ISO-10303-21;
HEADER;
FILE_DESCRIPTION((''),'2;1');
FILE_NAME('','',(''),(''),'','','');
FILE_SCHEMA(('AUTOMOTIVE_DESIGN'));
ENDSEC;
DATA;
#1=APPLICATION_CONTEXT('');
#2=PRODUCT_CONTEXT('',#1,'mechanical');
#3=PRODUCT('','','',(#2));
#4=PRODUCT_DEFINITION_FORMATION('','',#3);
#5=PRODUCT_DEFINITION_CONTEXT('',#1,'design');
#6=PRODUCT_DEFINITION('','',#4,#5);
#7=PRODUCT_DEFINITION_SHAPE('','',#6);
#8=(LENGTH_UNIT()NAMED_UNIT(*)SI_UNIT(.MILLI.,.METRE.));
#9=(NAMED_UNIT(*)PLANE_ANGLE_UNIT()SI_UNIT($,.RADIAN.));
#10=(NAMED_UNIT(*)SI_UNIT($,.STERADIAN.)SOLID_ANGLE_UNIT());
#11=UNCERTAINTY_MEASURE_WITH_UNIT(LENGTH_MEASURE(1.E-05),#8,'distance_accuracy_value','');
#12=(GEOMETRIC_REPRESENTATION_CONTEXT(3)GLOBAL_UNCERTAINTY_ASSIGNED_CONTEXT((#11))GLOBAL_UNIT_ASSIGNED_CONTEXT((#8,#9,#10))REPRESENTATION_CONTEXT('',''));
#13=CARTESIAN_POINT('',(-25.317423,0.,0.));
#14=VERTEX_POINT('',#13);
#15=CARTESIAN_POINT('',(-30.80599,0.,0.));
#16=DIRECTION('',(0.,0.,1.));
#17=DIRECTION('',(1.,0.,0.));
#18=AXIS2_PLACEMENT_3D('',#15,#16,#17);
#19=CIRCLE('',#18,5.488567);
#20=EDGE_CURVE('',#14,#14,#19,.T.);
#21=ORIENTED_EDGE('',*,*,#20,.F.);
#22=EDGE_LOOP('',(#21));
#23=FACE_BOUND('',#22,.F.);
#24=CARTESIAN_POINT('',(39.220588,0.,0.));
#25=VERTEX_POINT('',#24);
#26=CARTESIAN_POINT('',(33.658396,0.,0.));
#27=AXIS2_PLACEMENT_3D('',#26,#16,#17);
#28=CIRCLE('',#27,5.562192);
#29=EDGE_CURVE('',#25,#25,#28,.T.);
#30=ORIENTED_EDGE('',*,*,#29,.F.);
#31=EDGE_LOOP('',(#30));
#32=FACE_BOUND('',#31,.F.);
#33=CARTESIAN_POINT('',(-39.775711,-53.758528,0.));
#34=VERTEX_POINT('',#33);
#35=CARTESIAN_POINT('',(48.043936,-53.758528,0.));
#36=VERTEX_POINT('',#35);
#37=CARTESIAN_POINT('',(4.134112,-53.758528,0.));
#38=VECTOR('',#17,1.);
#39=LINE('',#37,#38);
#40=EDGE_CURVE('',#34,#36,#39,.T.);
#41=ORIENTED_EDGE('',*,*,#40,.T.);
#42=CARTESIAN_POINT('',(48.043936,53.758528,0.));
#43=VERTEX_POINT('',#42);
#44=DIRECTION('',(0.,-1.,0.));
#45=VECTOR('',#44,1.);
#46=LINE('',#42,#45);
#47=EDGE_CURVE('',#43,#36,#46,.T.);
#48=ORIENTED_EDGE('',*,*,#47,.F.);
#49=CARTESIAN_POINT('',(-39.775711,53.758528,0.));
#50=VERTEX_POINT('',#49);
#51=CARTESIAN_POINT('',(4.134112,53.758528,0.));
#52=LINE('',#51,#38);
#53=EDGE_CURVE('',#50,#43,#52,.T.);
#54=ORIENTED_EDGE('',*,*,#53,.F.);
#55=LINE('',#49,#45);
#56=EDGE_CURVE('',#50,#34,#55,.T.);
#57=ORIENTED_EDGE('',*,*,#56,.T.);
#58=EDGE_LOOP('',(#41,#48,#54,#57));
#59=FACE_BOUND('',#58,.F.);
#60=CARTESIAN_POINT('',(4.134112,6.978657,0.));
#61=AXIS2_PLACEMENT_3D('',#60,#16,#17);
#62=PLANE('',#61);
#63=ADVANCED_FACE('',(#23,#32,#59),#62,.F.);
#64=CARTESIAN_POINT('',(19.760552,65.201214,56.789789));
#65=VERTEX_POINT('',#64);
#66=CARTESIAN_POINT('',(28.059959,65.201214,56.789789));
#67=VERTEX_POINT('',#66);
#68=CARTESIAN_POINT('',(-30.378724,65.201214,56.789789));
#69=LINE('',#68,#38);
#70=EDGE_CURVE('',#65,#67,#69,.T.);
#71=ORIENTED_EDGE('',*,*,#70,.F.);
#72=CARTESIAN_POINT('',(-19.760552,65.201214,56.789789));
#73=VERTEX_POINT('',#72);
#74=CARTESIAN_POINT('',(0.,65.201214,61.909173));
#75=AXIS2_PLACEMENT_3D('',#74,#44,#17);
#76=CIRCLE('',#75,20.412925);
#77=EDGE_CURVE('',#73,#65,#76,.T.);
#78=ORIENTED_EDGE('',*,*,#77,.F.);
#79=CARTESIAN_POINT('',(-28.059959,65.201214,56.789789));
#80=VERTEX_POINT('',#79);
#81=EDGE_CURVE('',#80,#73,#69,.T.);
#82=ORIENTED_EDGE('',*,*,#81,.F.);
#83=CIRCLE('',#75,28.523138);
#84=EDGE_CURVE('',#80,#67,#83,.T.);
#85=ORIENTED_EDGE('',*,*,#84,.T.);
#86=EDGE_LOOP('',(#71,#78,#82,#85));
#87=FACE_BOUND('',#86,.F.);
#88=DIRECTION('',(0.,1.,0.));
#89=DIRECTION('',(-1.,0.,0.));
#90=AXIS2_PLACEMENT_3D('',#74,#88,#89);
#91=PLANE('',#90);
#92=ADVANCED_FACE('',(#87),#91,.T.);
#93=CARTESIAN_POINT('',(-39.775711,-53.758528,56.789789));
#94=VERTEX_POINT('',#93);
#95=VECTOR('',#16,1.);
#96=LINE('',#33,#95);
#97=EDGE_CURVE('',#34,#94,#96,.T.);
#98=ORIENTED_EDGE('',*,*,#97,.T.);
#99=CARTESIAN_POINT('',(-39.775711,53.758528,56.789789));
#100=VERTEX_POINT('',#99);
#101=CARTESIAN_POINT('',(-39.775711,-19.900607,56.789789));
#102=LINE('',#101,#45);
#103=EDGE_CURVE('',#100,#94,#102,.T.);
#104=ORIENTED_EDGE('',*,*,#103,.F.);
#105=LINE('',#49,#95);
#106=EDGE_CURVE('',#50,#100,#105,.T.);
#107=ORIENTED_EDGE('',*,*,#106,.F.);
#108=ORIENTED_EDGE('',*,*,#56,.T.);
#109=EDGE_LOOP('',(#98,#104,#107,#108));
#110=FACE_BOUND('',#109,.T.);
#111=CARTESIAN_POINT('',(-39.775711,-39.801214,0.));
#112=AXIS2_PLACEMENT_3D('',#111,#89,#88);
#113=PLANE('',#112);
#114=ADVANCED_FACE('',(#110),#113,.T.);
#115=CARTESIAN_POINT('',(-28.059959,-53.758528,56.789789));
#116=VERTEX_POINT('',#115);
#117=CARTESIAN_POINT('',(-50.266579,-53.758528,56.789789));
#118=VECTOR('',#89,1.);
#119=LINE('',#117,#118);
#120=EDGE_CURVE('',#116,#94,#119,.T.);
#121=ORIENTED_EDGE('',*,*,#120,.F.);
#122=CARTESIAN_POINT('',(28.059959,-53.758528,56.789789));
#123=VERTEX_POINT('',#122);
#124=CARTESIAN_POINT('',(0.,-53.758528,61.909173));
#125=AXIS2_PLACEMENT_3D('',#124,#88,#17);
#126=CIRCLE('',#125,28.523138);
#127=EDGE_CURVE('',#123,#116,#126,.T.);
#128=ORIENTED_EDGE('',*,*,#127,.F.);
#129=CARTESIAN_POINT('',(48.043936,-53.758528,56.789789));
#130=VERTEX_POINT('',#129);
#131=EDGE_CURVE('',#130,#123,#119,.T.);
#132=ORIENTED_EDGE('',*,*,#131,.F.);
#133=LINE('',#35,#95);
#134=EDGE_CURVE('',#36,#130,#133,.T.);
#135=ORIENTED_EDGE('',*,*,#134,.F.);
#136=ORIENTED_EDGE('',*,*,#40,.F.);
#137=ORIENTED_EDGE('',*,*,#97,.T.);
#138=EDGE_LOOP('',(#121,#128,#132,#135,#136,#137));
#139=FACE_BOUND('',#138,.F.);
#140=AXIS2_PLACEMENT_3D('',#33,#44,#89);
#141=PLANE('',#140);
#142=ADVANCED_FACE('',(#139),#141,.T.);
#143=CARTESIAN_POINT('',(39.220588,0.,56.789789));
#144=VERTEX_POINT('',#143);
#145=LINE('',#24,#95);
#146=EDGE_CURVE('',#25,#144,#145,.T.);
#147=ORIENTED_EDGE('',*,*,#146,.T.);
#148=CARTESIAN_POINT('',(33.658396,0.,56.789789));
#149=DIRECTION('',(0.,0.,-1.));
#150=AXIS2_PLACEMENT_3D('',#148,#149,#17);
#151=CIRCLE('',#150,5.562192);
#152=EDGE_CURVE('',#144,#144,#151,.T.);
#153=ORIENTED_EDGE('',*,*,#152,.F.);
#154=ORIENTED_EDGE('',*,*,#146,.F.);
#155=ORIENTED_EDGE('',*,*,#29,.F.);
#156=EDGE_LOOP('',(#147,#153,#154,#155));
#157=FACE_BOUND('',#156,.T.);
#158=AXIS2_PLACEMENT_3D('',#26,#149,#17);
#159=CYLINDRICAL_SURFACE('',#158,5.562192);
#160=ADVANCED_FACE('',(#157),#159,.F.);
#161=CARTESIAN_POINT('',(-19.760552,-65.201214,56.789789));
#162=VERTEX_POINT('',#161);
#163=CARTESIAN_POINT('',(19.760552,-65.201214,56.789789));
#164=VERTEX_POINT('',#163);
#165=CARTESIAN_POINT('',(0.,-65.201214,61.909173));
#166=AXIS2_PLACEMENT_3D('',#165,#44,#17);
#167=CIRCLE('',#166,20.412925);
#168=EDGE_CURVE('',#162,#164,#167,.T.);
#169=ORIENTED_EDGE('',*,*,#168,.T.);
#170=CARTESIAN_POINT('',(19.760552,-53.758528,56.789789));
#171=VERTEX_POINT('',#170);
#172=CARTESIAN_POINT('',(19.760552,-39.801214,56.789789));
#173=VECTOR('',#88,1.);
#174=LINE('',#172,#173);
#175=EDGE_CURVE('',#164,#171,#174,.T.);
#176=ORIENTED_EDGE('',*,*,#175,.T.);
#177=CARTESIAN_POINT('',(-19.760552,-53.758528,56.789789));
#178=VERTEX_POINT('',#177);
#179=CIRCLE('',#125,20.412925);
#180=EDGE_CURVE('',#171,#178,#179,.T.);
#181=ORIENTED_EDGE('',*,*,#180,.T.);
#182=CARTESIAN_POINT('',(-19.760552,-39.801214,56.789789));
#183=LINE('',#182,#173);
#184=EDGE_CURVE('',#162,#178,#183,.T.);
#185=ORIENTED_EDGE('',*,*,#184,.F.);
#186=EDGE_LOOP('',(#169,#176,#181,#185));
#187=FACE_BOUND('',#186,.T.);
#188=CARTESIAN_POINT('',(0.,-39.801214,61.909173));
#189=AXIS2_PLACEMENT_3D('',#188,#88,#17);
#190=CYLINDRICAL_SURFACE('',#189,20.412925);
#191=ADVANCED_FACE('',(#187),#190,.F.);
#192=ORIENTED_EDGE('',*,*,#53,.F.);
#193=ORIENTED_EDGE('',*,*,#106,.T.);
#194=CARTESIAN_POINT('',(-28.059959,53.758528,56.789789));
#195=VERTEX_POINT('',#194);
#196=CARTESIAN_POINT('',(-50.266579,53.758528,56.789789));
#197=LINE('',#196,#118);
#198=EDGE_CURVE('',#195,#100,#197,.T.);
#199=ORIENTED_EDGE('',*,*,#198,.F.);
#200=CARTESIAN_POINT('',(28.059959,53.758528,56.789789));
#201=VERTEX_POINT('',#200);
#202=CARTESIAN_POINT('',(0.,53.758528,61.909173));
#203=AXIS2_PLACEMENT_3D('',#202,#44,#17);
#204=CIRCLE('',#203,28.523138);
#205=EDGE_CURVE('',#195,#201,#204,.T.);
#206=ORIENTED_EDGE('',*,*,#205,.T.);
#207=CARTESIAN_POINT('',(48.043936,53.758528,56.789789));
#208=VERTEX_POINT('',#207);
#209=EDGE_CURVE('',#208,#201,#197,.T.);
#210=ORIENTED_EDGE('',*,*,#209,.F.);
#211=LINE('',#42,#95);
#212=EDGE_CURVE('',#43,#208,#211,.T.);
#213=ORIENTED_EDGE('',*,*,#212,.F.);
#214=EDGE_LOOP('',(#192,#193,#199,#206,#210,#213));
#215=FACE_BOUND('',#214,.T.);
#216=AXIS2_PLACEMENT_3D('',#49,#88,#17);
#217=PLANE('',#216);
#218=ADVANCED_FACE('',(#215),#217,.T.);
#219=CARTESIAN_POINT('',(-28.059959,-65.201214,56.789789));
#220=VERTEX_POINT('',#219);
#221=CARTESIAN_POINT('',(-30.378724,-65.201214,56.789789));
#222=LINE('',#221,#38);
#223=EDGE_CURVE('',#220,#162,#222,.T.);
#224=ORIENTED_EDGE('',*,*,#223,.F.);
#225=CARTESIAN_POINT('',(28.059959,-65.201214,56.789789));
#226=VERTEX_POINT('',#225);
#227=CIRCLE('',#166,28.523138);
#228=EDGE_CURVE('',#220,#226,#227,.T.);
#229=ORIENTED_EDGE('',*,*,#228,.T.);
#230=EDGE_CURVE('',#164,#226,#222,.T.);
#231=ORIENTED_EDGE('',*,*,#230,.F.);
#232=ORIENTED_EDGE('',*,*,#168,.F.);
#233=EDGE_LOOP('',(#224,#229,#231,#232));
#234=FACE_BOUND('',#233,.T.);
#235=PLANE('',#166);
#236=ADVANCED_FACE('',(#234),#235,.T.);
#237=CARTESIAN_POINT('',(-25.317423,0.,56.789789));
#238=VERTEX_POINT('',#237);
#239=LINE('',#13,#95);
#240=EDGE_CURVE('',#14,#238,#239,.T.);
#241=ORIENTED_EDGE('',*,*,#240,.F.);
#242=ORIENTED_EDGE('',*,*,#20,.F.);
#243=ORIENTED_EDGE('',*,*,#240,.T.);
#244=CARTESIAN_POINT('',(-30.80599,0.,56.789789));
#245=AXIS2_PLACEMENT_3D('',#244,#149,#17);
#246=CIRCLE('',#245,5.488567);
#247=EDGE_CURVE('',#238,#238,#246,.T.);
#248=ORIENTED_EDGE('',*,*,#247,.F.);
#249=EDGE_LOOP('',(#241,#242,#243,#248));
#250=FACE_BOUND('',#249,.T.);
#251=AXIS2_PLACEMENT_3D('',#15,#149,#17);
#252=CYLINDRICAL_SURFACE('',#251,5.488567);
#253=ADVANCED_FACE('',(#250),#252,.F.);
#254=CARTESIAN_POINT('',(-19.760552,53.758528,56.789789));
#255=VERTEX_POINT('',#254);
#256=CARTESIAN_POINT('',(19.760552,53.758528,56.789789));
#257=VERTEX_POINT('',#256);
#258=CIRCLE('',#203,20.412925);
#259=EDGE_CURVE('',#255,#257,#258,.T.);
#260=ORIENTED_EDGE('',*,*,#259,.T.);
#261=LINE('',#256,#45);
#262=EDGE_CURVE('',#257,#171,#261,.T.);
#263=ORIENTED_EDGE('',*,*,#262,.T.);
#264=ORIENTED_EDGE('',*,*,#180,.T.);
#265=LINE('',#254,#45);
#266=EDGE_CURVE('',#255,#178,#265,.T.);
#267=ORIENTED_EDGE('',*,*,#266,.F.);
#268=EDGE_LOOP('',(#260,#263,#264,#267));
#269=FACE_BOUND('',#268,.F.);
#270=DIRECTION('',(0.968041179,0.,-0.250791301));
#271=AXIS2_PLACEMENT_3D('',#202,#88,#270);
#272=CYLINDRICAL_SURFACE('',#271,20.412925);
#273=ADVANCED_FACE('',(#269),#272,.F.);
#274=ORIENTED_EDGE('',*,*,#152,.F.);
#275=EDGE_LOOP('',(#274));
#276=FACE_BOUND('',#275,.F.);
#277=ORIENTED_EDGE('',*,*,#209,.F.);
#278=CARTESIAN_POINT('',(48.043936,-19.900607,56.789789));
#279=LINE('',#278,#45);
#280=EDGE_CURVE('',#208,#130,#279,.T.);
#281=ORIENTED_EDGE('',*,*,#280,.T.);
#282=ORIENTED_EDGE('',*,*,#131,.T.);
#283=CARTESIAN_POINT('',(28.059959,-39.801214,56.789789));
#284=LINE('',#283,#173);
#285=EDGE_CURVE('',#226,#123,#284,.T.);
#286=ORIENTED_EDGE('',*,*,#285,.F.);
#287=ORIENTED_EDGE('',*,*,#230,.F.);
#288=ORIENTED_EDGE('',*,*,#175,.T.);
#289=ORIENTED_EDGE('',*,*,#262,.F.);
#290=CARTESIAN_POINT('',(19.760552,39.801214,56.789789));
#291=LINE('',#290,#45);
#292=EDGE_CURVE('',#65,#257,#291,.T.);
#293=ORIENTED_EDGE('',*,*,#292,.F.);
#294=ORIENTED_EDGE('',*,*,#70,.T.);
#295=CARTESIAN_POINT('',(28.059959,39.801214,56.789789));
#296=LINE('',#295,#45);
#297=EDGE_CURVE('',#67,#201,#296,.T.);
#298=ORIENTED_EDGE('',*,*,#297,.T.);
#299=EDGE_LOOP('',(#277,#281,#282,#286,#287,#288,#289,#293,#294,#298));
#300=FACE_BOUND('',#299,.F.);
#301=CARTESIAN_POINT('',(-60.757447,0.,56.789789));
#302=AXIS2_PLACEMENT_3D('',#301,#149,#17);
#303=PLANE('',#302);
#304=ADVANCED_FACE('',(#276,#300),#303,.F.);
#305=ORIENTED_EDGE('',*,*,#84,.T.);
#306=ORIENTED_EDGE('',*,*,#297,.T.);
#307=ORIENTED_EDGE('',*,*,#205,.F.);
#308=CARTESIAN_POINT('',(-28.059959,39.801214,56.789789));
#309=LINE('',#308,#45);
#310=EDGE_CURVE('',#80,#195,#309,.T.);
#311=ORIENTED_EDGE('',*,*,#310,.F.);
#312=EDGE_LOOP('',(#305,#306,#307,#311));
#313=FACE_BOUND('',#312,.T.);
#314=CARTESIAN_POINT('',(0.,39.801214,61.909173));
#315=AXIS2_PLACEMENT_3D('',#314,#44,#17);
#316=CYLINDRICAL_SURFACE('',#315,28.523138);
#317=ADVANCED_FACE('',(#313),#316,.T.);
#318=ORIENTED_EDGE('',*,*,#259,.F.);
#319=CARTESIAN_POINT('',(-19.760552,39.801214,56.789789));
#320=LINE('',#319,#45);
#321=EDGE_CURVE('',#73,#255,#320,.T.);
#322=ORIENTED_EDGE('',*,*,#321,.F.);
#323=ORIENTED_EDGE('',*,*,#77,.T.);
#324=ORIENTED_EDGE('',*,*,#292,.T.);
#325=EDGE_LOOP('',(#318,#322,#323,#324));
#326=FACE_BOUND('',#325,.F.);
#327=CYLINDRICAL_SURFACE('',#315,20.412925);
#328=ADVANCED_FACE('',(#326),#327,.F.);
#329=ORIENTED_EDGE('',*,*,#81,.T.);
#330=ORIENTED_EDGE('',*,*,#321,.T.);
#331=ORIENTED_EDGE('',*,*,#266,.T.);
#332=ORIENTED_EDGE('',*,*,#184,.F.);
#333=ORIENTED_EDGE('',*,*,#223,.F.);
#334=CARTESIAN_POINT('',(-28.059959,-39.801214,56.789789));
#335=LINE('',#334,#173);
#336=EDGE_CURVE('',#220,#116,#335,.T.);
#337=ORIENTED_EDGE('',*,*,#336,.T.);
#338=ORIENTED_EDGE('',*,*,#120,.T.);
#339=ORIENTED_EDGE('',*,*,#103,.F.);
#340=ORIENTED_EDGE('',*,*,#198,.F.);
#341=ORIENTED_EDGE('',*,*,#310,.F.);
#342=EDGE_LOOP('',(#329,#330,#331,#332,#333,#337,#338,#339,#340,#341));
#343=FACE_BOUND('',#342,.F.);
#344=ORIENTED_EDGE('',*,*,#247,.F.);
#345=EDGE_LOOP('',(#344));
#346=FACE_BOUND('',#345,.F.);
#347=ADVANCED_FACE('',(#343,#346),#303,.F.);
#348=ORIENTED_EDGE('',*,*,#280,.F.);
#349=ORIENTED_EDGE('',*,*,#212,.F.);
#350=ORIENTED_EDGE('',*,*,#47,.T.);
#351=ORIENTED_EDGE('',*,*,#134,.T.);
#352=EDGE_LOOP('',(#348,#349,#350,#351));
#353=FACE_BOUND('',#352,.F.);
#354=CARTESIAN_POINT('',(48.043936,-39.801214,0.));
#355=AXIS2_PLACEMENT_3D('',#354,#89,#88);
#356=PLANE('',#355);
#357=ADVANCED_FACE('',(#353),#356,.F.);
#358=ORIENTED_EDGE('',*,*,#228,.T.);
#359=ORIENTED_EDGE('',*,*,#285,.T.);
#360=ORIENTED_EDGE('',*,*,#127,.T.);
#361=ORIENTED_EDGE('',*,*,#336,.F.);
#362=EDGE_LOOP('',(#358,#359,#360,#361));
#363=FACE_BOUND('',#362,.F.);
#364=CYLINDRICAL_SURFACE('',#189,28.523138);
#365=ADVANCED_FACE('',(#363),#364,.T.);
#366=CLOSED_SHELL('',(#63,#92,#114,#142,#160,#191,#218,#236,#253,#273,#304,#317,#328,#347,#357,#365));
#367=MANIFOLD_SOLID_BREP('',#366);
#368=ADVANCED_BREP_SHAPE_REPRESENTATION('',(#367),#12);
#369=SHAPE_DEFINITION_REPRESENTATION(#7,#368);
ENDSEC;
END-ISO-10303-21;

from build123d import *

# Parameters (mm, degrees)
F0_W     = 87.819647
F0_H     = 93.559742
F0_R     = 4.613034
F0_R_2   = 4.621613
F1_DEPTH = 109.474
F2_R     = 28.523138
F2_R_2   = 20.412925
F3_DEPTH = 25.4
F5_W     = 138.989549
F5_H     = 60.892661
F6_DEPTH = 76.2
F7_DEPTH = 118.960742
F8_R     = 5.562192
F8_R_2   = 5.488567
F9_DEPTH = 56.790789


with BuildPart() as f1:
    # F0 (on Top) → F1 (new body)
    with BuildSketch(Plane.XY):
        with Locations((4.134112, 6.978657)):
            Rectangle(F0_W, F0_H)
        with Locations((-32.668188, 13.385462)):
            Circle(F0_R, mode=Mode.SUBTRACT)
        with Locations((36.83091, 13.385462)):
            Circle(F0_R_2, mode=Mode.SUBTRACT)
    extrude(amount=F1_DEPTH)

    # F2 (on face) → F3 (join)
    with BuildSketch(Plane.XZ.offset(39.801214)):
        with Locations((0, 61.909173)):
            Circle(F2_R)
        with Locations((0, 61.909173)):
            Circle(F2_R_2, mode=Mode.SUBTRACT)
    extrude(amount=F3_DEPTH)

    # F4: F1 across plane


with BuildPart() as f1_1:
    add(f1.part)
    add(f1.part.mirror(Plane.XZ))

    # F5 (on Front) → F6 (cut, symmetric)
    with BuildSketch(Plane.XZ):
        with Locations((8.737327, 87.23612)):
            Rectangle(F5_W, F5_H)
    extrude(amount=F6_DEPTH, both=True, mode=Mode.SUBTRACT)

    # F4_face (on face) → F7 (cut, through all)
    with BuildSketch(Plane(origin=(0, 53.758528, 50.420232), x_dir=(-1, 0, 0), z_dir=(0, 1, 0))):
        with BuildLine():
            Line((19.760552, 6.369557), (-19.760552, 6.369557))
            ThreePointArc((-19.760552, 6.369557), (0, -8.923984), (19.760552, 6.369557))
        make_face()
    extrude(amount=-F7_DEPTH, mode=Mode.SUBTRACT)

    # F8 (on Top) → F9 (cut, through all)
    with BuildSketch(Plane.XY):
        with Locations((33.658396, 0)):
            Circle(F8_R)
        with Locations((-30.80599, 0)):
            Circle(F8_R_2)
    extrude(amount=F9_DEPTH, mode=Mode.SUBTRACT)


solid = f1_1.part
